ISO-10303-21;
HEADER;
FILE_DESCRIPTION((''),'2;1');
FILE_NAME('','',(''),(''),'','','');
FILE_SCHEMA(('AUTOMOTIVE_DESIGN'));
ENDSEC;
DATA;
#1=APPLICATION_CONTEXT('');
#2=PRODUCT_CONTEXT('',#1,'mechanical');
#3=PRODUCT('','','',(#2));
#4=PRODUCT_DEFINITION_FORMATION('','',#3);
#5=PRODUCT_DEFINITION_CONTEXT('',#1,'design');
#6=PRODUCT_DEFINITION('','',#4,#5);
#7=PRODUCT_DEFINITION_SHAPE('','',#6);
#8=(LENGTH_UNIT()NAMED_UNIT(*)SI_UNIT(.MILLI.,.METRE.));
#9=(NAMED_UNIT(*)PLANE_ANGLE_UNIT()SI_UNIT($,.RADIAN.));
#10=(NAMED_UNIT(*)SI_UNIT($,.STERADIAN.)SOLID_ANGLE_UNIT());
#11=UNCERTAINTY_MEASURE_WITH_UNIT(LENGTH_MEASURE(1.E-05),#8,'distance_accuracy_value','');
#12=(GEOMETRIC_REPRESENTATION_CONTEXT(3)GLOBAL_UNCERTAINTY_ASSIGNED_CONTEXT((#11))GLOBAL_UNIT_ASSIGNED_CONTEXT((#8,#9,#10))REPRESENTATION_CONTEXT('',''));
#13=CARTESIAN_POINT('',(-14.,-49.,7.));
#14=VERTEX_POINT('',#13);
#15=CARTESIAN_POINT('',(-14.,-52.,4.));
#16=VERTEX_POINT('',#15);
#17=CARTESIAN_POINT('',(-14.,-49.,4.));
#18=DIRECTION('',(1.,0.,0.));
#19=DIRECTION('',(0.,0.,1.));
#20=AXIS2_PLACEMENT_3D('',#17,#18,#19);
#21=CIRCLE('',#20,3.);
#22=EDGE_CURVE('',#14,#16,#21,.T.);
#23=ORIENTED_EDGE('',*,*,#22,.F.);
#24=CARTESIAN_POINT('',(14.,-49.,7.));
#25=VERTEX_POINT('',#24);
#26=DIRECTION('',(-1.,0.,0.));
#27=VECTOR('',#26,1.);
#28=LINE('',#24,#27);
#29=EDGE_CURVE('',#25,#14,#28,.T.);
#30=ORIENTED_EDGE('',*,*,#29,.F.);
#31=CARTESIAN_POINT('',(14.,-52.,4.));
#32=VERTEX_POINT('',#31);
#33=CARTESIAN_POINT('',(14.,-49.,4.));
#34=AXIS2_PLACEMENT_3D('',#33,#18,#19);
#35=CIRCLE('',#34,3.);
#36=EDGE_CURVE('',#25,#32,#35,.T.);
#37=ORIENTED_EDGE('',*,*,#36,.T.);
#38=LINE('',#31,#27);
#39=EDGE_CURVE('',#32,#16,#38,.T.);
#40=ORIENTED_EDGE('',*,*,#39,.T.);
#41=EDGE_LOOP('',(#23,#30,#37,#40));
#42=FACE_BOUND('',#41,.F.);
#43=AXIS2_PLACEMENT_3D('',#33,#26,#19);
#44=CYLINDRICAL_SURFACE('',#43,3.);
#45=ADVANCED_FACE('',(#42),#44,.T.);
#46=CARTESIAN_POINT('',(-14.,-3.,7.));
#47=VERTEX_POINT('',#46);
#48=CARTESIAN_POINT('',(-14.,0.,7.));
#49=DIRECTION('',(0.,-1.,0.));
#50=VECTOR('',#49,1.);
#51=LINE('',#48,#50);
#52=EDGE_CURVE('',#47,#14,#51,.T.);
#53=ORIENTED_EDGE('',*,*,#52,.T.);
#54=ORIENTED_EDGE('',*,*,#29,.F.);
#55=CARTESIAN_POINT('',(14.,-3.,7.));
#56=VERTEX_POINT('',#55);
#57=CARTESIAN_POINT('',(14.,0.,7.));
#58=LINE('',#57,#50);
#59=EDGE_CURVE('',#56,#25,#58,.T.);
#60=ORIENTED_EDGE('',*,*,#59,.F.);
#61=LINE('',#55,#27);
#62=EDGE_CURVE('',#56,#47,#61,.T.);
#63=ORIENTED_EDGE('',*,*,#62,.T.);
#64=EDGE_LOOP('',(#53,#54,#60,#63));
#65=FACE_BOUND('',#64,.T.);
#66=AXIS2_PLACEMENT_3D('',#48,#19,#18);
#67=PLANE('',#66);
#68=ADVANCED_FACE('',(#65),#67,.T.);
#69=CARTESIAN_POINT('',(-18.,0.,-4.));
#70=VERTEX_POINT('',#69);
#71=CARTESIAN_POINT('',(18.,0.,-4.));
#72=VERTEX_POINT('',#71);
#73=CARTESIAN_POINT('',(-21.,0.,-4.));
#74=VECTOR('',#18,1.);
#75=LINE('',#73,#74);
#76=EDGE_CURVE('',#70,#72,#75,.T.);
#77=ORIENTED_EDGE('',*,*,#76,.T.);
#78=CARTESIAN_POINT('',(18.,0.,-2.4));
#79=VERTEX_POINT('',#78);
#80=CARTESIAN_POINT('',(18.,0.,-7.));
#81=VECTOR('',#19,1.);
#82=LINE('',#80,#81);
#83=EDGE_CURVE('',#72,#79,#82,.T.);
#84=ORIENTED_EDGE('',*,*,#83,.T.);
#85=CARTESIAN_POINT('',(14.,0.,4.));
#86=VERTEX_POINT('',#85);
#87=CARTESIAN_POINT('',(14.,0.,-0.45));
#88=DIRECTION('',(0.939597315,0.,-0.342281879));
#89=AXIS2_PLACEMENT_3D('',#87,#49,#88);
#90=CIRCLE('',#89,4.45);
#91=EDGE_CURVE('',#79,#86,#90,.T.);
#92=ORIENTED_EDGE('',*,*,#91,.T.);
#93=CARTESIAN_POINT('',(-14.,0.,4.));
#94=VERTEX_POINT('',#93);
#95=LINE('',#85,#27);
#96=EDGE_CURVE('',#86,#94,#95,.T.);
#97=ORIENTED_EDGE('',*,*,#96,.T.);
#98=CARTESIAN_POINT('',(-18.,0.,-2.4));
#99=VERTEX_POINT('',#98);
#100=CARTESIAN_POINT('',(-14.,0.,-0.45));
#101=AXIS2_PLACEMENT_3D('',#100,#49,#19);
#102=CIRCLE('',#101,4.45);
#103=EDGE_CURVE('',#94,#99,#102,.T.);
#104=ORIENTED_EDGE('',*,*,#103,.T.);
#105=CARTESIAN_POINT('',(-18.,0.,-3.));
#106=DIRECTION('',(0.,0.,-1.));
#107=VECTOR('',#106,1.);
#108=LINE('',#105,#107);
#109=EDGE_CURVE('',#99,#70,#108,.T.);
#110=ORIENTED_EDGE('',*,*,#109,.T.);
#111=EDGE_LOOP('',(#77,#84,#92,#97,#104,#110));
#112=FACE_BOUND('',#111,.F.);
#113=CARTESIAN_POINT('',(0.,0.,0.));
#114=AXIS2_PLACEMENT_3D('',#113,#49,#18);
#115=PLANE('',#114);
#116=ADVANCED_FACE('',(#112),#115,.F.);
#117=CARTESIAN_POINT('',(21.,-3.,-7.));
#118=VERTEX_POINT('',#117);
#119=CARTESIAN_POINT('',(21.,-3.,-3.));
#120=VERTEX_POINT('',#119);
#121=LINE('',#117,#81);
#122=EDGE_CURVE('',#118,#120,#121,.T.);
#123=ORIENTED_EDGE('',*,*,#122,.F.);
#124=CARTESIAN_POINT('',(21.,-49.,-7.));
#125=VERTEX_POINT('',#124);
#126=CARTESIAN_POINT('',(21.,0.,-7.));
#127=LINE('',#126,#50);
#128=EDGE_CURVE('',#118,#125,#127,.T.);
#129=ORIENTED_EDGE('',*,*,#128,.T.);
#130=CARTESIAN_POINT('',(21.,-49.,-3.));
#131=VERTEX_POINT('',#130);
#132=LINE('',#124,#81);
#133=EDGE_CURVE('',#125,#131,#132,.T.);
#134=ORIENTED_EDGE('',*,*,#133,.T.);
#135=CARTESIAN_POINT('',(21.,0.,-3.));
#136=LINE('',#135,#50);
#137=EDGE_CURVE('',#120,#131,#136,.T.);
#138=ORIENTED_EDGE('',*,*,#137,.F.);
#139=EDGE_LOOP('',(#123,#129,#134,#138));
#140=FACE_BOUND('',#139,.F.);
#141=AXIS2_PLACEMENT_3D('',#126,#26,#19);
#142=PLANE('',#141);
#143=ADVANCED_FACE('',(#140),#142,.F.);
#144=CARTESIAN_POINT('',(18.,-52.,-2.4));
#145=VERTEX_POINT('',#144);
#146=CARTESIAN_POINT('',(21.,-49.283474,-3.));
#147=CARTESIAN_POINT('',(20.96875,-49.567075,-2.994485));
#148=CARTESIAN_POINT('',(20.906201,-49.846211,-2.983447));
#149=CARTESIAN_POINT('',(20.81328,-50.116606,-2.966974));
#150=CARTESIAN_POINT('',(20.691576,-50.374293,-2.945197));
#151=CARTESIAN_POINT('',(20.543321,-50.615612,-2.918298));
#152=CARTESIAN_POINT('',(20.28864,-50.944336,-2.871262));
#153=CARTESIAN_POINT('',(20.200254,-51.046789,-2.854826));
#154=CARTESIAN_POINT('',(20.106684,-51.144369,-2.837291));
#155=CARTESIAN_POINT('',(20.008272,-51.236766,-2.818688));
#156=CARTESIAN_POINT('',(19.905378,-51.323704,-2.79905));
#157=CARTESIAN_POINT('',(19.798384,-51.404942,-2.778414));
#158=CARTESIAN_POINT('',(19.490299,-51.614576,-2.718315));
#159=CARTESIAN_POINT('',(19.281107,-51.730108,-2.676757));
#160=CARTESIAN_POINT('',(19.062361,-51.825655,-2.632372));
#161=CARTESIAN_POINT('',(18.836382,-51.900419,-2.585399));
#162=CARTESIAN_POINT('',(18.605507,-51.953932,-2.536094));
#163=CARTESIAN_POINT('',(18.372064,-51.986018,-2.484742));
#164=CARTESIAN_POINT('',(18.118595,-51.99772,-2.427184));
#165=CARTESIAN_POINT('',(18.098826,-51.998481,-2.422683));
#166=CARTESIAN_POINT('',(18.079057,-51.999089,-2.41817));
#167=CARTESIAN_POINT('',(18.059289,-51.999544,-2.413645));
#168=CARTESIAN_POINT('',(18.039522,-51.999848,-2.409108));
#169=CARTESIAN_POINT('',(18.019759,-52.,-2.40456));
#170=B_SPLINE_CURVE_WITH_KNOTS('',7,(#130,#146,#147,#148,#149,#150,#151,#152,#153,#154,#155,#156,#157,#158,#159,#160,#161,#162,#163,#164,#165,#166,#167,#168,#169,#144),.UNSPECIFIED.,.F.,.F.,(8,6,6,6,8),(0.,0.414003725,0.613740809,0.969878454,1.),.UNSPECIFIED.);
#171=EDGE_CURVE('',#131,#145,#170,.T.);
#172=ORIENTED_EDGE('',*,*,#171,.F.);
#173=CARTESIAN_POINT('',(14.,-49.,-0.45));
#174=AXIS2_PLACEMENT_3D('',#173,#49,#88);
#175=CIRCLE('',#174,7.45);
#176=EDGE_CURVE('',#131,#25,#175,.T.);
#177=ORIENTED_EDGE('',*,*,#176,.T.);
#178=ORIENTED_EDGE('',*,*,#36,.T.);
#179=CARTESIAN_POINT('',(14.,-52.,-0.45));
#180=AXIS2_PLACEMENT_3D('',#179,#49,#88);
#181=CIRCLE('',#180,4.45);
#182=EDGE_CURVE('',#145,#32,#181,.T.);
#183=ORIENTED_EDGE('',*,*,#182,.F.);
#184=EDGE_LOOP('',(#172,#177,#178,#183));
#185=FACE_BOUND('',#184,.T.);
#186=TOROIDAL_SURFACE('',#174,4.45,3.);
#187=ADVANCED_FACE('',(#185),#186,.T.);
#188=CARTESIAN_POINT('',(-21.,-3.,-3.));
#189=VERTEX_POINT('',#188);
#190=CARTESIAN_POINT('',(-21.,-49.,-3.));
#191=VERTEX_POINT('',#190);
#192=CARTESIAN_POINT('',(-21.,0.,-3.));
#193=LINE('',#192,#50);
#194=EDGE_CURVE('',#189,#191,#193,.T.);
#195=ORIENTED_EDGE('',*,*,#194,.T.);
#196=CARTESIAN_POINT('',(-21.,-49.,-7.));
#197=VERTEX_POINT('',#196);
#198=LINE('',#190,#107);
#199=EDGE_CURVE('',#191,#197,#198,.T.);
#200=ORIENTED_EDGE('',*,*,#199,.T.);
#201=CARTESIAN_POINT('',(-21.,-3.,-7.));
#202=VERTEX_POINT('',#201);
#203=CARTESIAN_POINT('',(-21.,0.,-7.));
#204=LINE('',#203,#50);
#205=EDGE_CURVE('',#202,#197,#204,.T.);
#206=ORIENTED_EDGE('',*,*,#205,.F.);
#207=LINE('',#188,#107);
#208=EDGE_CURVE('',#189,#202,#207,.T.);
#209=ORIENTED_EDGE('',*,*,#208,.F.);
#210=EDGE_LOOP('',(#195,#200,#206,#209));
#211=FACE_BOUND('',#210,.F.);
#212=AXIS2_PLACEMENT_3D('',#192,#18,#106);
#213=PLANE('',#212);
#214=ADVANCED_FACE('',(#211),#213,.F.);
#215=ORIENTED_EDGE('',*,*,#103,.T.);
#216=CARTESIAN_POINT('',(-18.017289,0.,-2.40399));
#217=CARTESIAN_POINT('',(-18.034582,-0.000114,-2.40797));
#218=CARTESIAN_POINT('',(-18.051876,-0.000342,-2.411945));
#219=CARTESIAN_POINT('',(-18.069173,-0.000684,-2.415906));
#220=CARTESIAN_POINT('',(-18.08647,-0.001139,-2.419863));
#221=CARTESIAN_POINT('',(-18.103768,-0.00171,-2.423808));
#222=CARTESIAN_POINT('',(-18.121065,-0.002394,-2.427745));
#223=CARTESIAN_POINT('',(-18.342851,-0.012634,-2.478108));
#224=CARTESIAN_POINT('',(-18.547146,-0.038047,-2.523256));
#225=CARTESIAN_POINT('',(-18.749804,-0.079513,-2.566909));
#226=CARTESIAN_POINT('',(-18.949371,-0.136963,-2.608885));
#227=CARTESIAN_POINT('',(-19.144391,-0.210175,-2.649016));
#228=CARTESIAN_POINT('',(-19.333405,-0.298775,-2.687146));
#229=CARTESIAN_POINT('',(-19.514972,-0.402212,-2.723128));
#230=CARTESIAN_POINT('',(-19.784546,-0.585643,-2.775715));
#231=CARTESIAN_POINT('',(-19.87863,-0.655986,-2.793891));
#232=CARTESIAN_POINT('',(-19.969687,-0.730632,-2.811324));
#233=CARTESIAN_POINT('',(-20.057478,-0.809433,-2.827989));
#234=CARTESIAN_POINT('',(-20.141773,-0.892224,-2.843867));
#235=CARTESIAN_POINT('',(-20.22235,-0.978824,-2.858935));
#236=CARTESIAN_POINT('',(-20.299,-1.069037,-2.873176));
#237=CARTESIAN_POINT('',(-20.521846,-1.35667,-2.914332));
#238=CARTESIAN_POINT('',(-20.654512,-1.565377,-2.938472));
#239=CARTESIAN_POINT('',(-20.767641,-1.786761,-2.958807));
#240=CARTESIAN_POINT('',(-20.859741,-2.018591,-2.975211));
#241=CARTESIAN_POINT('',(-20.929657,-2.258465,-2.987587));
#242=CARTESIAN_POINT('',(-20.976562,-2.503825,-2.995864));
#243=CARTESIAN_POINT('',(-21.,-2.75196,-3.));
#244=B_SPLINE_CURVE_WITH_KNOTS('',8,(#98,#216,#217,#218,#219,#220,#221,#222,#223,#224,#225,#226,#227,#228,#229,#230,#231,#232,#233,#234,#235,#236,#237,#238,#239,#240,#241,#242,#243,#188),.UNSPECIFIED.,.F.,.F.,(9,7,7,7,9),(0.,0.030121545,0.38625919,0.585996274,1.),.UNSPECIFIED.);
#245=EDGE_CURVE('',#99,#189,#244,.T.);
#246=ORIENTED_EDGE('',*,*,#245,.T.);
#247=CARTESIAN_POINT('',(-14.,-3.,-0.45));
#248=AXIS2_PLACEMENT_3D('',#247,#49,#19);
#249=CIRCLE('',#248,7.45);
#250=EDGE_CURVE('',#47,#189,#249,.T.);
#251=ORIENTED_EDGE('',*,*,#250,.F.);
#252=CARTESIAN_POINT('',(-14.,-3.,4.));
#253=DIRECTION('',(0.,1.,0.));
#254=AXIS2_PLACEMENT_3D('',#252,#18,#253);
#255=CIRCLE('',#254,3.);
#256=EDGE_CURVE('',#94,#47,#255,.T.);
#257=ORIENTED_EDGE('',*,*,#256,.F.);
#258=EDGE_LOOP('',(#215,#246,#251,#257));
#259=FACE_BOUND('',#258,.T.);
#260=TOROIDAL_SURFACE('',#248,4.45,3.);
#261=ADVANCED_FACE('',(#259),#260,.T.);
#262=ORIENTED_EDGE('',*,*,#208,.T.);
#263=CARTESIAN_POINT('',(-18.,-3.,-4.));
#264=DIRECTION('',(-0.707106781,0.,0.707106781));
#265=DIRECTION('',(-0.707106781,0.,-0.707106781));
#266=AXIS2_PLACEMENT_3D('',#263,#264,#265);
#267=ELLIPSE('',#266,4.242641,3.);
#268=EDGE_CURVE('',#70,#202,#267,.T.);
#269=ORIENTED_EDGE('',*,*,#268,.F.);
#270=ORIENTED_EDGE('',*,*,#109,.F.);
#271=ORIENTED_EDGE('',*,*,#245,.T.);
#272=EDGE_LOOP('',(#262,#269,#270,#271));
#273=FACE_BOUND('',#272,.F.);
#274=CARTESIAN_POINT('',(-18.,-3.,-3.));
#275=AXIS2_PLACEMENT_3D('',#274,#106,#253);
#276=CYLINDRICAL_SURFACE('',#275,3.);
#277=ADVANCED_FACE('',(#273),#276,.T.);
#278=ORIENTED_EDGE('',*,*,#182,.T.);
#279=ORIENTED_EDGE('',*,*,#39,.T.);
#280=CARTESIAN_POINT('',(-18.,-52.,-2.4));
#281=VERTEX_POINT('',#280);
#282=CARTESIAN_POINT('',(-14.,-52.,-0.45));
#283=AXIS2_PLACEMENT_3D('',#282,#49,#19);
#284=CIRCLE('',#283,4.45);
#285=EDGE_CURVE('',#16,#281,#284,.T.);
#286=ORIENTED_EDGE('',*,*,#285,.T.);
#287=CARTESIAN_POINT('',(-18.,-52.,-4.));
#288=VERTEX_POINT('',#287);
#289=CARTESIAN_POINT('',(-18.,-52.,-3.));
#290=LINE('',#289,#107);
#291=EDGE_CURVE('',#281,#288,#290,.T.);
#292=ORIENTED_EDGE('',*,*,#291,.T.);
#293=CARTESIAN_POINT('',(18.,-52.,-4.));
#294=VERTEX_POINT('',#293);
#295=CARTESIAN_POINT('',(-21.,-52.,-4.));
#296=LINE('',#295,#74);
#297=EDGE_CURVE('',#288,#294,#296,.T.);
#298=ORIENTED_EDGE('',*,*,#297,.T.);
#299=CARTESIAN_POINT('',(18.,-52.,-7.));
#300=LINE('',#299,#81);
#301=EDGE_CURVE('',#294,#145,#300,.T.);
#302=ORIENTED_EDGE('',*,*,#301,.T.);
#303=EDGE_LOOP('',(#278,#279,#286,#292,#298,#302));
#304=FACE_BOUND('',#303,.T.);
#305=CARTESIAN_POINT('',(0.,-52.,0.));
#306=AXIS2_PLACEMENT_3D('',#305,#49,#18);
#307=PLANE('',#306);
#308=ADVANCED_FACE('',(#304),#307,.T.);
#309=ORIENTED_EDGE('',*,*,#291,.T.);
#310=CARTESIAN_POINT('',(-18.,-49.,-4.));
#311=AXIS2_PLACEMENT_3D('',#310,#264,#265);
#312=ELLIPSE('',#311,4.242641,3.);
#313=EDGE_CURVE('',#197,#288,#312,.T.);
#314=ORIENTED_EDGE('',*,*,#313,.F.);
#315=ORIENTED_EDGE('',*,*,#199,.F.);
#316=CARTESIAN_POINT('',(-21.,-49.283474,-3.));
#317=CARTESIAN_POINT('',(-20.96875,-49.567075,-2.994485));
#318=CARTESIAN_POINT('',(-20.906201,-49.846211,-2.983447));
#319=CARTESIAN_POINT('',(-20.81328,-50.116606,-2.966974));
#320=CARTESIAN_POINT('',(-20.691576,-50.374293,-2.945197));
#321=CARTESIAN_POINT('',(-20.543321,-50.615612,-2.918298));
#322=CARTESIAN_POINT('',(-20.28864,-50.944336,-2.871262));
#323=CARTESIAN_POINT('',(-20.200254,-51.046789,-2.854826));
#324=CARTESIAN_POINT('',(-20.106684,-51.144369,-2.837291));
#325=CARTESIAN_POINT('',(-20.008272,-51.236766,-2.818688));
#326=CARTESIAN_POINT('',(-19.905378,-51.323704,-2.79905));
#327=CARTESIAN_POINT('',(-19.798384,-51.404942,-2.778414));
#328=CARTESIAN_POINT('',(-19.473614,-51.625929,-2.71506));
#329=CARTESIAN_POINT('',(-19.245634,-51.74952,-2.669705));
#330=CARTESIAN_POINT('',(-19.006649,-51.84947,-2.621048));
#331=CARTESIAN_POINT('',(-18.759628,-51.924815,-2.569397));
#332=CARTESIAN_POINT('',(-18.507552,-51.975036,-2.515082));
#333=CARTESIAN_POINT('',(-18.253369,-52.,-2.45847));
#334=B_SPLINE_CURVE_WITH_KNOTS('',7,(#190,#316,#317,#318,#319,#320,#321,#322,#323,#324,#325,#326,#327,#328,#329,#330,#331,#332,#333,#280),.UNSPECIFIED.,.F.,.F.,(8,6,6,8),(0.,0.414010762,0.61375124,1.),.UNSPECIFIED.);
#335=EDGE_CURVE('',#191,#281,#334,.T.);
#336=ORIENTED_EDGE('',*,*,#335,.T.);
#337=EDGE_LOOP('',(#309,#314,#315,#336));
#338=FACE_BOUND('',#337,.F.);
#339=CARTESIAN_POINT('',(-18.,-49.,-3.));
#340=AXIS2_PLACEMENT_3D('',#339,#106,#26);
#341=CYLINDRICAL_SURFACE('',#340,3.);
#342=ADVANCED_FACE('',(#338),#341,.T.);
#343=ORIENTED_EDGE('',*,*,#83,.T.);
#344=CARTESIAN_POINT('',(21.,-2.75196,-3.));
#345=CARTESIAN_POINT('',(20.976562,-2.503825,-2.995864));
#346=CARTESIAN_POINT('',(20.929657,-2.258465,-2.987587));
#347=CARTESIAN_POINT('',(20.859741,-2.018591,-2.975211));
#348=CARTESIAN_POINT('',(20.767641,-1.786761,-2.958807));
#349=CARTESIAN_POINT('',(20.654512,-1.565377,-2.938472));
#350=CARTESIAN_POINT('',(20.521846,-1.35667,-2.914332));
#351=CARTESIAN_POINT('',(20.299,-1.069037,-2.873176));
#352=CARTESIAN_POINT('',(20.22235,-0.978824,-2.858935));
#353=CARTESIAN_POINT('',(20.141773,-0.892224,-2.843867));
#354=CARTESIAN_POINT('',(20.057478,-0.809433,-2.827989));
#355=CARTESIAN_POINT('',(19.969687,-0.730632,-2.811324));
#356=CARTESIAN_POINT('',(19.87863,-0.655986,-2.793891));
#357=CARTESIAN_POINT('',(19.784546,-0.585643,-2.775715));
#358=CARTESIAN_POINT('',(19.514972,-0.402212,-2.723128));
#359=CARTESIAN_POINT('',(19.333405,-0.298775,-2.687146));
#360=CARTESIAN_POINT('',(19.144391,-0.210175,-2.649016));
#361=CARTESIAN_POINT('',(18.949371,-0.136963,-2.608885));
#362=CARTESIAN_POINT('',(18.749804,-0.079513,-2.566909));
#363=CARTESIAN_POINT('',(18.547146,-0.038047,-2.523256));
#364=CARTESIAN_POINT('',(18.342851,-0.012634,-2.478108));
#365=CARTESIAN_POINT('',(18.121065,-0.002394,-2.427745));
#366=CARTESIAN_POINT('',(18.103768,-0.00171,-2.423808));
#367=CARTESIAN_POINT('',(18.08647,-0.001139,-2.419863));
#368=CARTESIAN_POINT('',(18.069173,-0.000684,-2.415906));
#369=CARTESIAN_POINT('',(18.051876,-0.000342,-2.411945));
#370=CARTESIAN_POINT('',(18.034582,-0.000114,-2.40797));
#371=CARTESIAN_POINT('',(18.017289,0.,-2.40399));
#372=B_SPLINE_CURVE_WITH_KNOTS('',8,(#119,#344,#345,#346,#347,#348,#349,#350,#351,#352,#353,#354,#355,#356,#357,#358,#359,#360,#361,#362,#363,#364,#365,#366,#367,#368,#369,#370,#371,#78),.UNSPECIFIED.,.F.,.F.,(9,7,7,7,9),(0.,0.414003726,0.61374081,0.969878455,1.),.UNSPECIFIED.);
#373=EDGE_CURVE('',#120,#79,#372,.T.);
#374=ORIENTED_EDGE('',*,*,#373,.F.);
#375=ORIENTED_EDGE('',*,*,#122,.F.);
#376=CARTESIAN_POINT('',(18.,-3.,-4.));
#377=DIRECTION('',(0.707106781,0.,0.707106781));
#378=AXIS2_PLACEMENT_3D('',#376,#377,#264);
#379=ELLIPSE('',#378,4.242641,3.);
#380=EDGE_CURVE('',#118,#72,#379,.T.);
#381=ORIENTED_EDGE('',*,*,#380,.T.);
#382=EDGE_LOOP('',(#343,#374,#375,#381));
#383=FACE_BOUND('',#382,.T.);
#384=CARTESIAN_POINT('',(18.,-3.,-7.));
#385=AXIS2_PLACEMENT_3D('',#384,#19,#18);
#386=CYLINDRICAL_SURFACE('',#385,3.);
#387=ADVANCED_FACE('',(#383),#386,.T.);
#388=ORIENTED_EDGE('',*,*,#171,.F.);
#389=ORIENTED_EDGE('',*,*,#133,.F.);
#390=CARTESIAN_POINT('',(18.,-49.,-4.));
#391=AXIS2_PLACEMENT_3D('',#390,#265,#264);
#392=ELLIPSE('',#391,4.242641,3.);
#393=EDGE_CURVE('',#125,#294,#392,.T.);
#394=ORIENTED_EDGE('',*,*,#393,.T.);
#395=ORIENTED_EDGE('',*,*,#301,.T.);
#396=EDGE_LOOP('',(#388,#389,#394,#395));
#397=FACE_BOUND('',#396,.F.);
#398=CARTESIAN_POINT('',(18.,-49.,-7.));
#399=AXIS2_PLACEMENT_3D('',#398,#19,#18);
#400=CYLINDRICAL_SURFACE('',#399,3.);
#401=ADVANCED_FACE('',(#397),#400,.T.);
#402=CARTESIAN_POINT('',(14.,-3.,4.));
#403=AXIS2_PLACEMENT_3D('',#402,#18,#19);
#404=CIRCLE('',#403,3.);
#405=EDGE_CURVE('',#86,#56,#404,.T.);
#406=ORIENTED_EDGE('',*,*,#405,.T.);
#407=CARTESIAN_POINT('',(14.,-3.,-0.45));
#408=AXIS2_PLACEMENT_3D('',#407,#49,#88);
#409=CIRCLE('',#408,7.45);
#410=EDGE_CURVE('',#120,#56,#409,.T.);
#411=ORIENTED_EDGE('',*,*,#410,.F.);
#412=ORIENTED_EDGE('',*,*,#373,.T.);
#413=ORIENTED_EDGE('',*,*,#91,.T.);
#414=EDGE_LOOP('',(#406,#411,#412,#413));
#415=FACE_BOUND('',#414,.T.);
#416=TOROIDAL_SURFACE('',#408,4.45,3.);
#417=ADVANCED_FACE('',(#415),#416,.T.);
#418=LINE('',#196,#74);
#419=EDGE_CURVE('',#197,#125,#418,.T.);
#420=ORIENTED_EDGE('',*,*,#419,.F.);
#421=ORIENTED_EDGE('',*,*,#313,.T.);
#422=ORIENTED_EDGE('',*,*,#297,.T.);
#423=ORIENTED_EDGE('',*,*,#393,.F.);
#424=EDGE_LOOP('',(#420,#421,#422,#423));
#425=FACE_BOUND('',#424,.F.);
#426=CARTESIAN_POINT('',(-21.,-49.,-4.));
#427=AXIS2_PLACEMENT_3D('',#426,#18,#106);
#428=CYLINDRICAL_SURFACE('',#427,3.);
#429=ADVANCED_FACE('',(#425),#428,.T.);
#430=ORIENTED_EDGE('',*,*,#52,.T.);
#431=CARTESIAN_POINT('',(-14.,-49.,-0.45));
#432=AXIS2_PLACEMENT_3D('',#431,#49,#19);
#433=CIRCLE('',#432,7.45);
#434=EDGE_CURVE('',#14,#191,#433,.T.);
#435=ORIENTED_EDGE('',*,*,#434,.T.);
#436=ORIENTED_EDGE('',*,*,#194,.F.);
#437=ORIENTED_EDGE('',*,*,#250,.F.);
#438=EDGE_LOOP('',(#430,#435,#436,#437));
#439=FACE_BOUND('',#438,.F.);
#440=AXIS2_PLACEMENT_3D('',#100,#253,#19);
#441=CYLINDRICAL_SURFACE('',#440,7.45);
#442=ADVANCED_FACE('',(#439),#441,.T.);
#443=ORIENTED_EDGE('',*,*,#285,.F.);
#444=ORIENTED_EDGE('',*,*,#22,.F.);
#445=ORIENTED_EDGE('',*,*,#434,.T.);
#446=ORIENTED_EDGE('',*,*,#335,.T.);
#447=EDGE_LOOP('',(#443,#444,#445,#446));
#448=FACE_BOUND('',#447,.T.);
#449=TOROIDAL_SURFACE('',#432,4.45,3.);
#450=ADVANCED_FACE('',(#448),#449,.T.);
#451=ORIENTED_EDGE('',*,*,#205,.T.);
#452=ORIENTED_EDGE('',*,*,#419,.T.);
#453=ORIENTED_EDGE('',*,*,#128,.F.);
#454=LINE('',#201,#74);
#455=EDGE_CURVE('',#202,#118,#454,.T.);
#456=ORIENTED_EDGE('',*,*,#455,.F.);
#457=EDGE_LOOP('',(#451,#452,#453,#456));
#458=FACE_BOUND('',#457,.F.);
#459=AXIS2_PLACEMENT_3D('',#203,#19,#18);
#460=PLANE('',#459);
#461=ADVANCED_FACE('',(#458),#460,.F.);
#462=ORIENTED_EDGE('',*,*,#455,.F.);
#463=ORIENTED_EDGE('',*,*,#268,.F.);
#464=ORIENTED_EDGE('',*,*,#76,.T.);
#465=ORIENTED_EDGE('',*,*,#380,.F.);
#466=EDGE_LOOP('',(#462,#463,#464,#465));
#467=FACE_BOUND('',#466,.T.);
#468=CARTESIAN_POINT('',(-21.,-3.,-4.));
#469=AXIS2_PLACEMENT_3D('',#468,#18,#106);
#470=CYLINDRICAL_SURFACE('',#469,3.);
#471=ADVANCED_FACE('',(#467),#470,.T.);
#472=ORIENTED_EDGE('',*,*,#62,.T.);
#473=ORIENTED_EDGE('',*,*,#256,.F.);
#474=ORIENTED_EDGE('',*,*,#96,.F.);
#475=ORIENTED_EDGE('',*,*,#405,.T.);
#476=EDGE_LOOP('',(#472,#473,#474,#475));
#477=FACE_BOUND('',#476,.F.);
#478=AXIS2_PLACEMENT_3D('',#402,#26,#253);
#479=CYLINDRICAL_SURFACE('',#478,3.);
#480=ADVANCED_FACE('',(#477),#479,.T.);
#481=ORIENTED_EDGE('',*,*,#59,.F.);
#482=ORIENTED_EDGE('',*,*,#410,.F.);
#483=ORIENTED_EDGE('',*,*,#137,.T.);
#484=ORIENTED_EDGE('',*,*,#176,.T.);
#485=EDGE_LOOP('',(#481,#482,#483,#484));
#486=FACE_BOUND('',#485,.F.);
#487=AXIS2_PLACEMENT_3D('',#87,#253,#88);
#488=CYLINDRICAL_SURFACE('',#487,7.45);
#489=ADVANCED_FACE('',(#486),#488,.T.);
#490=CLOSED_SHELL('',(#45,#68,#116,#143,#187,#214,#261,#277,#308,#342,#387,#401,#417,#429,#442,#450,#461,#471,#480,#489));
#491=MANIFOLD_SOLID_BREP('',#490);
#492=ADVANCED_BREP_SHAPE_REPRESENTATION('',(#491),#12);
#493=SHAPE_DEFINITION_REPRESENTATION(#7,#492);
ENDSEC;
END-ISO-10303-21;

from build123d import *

# Parameters (mm, degrees)
F0_W     = 28
F0_H     = 14
F1_DEPTH = 52
F2_R     = 3
F3_R     = 3


with BuildPart() as f1:
    # F0 (on Front) → F1 (new body)
    with BuildSketch(Plane.XZ):
        Rectangle(F0_W, F0_H)
        with BuildLine():
            Line((14, 7), (14, -7))
            Line((14, -7), (21, -7))
            Line((21, -7), (21, -3))
            ThreePointArc((21, -3), (20.1032778079, 3.8222944655), (14, 7))
        make_face()
        with BuildLine():
            Line((-21, -7), (-14, -7))
            Line((-14, -7), (-14, 7))
            ThreePointArc((-14, 7), (-20.1032778079, 3.8222944655), (-21, -3))
            Line((-21, -3), (-21, -7))
        make_face()
    extrude(amount=F1_DEPTH)

    # F2
    f2_edges = [f1.edges().sort_by_distance(p)[0] for p in [
        (21, -52, -5),
        (20.103278, -52, 3.822294),
        (0, -52, 7),
        (-20.103278, -52, 3.822294),
        (-21, -52, -5),
        (0, -52, -7),
    ]]
    fillet(f2_edges, radius=F2_R)

    # F3
    f3_edges = [f1.edges().sort_by_distance(p)[0] for p in [
        (21, 0, -5),
        (20.103278, 0, 3.822294),
        (0, 0, 7),
        (-20.103278, 0, 3.822294),
        (-21, 0, -5),
        (0, 0, -7),
    ]]
    fillet(f3_edges, radius=F3_R)


solid = f1.part
